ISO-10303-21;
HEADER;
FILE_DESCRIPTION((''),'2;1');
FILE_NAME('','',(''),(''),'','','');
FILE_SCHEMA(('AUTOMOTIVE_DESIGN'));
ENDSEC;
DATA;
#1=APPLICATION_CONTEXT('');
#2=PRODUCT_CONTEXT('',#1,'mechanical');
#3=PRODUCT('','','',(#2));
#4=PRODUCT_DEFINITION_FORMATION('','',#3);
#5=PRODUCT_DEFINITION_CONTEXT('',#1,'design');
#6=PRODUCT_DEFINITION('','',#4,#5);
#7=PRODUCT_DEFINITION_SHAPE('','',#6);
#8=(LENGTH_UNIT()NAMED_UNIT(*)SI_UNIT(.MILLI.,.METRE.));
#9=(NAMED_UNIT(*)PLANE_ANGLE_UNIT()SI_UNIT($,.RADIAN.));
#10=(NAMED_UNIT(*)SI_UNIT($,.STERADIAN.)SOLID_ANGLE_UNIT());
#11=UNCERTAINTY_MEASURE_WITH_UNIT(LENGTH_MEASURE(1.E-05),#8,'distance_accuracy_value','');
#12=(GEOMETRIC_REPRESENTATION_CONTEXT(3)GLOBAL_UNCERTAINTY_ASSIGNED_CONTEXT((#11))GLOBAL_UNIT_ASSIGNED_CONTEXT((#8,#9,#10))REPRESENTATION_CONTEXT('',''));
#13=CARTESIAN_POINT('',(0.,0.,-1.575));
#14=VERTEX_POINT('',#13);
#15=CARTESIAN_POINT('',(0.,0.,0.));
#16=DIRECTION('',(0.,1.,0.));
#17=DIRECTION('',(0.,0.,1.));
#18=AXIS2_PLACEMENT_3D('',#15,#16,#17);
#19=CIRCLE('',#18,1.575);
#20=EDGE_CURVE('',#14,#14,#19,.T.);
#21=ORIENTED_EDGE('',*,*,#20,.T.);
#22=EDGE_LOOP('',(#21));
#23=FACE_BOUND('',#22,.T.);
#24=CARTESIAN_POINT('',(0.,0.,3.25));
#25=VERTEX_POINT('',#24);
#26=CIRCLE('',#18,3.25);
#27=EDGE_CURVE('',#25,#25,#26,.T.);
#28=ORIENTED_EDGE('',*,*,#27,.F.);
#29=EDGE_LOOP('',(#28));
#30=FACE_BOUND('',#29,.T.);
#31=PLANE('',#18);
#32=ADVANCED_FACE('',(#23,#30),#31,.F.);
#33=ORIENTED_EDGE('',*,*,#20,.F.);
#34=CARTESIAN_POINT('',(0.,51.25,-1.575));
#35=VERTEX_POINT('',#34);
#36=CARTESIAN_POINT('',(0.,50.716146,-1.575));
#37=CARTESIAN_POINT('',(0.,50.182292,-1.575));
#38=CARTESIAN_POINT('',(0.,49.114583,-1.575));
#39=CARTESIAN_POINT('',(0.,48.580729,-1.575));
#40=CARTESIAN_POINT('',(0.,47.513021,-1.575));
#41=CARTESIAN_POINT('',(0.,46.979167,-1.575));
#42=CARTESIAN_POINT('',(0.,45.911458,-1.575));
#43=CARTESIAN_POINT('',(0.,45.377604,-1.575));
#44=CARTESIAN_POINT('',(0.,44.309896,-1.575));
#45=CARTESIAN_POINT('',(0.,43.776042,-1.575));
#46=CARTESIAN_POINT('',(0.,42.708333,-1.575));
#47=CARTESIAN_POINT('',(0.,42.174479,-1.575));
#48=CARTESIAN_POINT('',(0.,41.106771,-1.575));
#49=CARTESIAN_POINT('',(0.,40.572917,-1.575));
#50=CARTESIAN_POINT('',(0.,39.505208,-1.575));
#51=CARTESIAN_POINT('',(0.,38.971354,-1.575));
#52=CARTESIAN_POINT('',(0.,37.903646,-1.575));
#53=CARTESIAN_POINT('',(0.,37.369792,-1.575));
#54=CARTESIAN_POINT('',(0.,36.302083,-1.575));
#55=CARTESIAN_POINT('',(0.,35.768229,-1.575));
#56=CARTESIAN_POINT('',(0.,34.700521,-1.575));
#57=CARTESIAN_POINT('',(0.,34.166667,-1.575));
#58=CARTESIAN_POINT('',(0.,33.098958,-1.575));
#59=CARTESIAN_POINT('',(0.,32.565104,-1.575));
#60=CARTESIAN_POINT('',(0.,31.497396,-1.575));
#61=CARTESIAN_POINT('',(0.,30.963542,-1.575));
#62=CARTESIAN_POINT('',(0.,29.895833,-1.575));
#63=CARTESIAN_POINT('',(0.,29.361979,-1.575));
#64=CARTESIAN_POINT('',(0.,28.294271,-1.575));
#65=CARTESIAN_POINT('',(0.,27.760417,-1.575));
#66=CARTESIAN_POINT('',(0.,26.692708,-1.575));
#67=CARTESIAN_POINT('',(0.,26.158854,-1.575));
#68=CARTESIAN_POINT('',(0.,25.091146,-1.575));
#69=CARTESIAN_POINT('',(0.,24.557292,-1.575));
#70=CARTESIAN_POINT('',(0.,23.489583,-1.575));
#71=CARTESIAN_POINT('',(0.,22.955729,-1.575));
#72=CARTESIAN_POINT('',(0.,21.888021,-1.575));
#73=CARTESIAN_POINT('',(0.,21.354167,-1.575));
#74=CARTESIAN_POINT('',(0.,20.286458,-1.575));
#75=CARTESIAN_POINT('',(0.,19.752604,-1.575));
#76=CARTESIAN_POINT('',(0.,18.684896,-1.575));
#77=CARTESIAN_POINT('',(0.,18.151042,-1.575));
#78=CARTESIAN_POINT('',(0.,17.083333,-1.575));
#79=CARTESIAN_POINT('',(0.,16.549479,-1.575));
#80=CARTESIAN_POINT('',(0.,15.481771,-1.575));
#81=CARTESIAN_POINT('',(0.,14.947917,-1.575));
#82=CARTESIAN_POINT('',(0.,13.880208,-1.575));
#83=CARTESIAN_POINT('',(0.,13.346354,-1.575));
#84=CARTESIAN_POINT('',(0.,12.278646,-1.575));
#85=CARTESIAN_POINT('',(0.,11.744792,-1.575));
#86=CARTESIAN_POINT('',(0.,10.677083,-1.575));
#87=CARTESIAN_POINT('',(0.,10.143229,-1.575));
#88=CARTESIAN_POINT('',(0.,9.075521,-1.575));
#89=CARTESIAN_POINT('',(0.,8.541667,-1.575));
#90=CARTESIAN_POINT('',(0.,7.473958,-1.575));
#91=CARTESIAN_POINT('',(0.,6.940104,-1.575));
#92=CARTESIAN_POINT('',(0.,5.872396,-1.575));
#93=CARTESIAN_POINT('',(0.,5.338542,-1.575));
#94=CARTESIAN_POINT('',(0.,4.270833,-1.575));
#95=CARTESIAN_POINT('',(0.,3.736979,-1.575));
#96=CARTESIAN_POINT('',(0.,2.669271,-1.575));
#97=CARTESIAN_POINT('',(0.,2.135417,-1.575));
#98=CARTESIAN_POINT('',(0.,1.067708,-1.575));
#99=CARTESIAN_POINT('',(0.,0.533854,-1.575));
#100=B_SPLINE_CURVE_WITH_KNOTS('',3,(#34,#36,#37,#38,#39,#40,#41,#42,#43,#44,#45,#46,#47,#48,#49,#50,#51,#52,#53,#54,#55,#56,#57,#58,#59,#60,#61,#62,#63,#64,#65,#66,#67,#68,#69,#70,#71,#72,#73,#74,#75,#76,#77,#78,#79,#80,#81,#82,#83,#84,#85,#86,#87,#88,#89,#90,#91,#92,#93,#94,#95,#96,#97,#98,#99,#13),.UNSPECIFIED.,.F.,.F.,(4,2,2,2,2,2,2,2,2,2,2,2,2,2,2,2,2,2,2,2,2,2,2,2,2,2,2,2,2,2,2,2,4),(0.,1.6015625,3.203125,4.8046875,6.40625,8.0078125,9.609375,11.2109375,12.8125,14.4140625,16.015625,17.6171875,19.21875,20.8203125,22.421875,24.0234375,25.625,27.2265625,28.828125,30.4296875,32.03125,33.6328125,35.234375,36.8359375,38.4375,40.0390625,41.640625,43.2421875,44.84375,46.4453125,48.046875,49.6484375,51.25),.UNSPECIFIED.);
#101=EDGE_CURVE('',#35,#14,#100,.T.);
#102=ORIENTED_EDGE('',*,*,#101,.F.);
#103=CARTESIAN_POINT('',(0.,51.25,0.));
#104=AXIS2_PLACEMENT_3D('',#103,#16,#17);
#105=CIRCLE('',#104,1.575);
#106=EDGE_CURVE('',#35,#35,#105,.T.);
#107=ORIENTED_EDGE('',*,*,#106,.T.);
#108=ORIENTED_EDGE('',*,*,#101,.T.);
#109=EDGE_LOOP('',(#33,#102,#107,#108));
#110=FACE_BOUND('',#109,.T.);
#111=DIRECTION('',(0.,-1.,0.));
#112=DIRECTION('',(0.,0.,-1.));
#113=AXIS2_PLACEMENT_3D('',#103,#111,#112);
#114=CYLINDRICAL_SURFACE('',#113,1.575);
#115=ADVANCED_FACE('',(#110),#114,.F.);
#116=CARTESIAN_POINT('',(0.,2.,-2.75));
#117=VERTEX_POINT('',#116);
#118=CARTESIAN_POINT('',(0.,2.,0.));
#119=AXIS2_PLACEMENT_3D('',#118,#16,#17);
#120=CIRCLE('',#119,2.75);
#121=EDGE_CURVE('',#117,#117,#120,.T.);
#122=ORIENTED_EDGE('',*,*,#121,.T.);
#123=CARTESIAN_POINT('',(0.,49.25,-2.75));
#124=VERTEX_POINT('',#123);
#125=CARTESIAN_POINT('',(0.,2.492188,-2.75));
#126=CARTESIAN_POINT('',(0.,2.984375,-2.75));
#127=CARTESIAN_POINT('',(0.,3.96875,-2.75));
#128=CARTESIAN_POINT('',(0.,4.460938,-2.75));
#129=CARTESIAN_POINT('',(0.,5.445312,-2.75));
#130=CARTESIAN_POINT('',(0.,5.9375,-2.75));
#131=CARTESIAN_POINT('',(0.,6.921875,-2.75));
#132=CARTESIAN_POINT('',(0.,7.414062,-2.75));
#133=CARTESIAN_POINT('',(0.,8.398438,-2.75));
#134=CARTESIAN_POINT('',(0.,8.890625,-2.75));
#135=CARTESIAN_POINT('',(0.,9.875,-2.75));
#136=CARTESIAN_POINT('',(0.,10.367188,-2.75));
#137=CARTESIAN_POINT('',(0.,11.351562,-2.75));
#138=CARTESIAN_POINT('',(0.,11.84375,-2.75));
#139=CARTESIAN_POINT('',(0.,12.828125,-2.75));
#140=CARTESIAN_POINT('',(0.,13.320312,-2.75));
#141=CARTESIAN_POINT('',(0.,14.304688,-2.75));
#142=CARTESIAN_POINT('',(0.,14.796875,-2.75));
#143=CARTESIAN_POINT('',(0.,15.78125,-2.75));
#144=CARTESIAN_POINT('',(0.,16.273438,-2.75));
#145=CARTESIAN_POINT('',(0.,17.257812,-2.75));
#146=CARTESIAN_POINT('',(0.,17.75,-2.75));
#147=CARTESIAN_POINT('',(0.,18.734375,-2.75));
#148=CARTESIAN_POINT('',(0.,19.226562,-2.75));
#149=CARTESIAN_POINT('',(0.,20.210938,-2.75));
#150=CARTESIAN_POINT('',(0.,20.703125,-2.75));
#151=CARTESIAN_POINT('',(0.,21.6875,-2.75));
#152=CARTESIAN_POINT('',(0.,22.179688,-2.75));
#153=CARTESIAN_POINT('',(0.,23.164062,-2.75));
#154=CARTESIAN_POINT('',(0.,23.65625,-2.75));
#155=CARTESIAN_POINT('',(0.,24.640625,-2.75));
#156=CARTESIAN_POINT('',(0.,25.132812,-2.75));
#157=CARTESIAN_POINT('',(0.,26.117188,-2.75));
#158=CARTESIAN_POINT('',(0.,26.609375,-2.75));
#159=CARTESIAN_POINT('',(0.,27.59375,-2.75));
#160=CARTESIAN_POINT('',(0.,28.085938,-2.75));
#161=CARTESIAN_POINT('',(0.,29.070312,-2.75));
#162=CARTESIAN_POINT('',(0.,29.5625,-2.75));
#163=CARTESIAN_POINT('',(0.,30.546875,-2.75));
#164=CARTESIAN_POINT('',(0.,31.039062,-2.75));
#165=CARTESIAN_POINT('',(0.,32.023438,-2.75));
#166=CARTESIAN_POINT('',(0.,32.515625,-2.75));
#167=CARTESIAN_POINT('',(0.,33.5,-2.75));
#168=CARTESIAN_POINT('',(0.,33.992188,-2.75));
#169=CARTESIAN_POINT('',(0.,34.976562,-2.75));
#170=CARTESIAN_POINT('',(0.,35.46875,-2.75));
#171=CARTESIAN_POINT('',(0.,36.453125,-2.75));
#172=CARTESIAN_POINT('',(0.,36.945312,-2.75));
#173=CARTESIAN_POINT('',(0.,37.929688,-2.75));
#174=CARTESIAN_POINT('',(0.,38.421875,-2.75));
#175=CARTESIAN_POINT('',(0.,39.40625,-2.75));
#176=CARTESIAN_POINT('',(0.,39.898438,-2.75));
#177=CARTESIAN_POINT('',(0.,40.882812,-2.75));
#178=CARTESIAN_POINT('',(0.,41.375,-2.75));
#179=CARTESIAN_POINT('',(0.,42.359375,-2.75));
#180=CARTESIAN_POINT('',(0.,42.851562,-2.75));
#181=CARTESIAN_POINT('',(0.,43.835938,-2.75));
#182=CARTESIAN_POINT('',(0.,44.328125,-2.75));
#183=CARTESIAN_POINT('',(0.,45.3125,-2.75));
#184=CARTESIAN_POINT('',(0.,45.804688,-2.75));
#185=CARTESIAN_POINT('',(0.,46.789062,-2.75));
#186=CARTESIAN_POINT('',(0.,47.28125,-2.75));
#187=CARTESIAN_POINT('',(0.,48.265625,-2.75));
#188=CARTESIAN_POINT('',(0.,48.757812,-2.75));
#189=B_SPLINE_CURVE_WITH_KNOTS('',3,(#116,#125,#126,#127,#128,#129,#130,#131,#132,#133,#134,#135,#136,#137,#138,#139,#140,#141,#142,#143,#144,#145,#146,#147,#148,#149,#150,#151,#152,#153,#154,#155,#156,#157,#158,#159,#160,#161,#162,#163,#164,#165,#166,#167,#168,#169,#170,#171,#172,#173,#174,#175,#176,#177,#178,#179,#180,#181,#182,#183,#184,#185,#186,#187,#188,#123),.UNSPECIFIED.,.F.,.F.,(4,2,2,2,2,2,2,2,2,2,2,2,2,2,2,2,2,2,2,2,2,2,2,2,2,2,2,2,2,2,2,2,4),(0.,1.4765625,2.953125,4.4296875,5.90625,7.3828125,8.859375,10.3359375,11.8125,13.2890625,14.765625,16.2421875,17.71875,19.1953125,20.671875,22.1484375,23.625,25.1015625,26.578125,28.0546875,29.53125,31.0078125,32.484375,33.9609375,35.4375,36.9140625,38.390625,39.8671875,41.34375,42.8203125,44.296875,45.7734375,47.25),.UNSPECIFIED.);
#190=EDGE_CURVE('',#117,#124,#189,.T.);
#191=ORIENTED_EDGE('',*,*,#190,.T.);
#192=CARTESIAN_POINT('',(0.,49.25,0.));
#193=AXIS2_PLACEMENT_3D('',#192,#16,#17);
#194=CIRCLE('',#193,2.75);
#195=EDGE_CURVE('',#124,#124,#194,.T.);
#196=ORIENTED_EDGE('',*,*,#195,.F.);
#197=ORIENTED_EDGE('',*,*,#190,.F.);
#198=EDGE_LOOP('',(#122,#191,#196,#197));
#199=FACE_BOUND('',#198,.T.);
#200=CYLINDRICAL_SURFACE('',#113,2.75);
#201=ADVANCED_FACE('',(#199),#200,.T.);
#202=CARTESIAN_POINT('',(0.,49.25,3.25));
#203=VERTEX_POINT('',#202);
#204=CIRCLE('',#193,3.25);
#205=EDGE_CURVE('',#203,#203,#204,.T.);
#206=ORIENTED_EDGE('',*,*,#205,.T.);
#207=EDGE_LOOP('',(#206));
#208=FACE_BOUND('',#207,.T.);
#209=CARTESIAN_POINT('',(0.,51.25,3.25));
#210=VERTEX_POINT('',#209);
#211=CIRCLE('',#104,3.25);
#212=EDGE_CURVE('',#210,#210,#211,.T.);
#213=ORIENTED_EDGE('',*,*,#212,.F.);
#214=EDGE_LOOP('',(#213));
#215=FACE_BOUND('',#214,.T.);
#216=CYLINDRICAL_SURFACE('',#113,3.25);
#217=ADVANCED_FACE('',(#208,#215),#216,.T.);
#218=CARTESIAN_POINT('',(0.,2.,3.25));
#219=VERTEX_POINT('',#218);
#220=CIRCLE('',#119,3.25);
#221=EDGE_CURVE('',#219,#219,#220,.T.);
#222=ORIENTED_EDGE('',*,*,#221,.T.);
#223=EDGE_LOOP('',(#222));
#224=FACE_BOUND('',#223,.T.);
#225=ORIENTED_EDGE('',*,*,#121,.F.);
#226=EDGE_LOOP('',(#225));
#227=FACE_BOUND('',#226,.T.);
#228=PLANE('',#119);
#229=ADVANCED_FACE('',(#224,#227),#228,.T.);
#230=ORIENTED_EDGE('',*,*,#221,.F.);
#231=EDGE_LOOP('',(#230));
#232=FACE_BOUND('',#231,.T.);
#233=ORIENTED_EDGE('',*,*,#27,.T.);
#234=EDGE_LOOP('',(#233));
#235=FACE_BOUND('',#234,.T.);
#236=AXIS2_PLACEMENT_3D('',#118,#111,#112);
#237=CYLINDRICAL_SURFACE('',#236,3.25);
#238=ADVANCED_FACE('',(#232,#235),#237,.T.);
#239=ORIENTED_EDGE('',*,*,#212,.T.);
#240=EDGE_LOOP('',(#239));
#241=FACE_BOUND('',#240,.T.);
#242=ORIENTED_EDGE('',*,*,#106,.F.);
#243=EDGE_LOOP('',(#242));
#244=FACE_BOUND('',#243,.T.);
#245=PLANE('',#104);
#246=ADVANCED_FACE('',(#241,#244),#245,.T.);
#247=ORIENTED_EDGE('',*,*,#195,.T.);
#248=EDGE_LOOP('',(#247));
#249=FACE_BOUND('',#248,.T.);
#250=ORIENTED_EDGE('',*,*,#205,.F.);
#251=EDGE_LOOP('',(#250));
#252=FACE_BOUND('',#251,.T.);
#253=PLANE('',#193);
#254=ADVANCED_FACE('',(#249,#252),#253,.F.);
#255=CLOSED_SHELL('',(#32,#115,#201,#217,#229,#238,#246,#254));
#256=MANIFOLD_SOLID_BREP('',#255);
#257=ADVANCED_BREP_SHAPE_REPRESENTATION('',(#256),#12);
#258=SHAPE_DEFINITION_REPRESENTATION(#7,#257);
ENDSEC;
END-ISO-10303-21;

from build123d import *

# Parameters (mm, degrees)
SKETCH1_R           = 2.75
SKETCH1_R_2         = 1.575
BOSS_EXTRUDE1_DEPTH = 51.25
SKETCH1_3_R         = 3.25
SKETCH1_3_R_2       = 2.75
BOSS_EXTRUDE2_DEPTH = 2
BOSS_EXTRUDE3_START = 49.25
SKETCH1_4_R         = 3.25
SKETCH1_4_R_2       = 2.75
BOSS_EXTRUDE3_DEPTH = 2


with BuildPart() as part:
    # Sketch1 → Boss-Extrude1 (new body)
    with BuildSketch(Plane(origin=(0, 0, 0), x_dir=(1, 0, 0), z_dir=(0, 1, 0))):
        Circle(SKETCH1_R)
        Circle(SKETCH1_R_2, mode=Mode.SUBTRACT)
    extrude(amount=BOSS_EXTRUDE1_DEPTH)

    # Sketch1<3> → Boss-Extrude2 (add)
    with BuildSketch(Plane(origin=(0, 0, 0), x_dir=(1, 0, 0), z_dir=(0, 1, 0))):
        Circle(SKETCH1_3_R)
        Circle(SKETCH1_3_R_2, mode=Mode.SUBTRACT)
    extrude(amount=BOSS_EXTRUDE2_DEPTH)

    # Sketch1<4> → Boss-Extrude3 (add)
    with BuildSketch(Plane(origin=(0, 0, 0), x_dir=(1, 0, 0), z_dir=(0, 1, 0)).offset(BOSS_EXTRUDE3_START)):
        Circle(SKETCH1_4_R)
        Circle(SKETCH1_4_R_2, mode=Mode.SUBTRACT)
    extrude(amount=BOSS_EXTRUDE3_DEPTH)


solid = part.part
